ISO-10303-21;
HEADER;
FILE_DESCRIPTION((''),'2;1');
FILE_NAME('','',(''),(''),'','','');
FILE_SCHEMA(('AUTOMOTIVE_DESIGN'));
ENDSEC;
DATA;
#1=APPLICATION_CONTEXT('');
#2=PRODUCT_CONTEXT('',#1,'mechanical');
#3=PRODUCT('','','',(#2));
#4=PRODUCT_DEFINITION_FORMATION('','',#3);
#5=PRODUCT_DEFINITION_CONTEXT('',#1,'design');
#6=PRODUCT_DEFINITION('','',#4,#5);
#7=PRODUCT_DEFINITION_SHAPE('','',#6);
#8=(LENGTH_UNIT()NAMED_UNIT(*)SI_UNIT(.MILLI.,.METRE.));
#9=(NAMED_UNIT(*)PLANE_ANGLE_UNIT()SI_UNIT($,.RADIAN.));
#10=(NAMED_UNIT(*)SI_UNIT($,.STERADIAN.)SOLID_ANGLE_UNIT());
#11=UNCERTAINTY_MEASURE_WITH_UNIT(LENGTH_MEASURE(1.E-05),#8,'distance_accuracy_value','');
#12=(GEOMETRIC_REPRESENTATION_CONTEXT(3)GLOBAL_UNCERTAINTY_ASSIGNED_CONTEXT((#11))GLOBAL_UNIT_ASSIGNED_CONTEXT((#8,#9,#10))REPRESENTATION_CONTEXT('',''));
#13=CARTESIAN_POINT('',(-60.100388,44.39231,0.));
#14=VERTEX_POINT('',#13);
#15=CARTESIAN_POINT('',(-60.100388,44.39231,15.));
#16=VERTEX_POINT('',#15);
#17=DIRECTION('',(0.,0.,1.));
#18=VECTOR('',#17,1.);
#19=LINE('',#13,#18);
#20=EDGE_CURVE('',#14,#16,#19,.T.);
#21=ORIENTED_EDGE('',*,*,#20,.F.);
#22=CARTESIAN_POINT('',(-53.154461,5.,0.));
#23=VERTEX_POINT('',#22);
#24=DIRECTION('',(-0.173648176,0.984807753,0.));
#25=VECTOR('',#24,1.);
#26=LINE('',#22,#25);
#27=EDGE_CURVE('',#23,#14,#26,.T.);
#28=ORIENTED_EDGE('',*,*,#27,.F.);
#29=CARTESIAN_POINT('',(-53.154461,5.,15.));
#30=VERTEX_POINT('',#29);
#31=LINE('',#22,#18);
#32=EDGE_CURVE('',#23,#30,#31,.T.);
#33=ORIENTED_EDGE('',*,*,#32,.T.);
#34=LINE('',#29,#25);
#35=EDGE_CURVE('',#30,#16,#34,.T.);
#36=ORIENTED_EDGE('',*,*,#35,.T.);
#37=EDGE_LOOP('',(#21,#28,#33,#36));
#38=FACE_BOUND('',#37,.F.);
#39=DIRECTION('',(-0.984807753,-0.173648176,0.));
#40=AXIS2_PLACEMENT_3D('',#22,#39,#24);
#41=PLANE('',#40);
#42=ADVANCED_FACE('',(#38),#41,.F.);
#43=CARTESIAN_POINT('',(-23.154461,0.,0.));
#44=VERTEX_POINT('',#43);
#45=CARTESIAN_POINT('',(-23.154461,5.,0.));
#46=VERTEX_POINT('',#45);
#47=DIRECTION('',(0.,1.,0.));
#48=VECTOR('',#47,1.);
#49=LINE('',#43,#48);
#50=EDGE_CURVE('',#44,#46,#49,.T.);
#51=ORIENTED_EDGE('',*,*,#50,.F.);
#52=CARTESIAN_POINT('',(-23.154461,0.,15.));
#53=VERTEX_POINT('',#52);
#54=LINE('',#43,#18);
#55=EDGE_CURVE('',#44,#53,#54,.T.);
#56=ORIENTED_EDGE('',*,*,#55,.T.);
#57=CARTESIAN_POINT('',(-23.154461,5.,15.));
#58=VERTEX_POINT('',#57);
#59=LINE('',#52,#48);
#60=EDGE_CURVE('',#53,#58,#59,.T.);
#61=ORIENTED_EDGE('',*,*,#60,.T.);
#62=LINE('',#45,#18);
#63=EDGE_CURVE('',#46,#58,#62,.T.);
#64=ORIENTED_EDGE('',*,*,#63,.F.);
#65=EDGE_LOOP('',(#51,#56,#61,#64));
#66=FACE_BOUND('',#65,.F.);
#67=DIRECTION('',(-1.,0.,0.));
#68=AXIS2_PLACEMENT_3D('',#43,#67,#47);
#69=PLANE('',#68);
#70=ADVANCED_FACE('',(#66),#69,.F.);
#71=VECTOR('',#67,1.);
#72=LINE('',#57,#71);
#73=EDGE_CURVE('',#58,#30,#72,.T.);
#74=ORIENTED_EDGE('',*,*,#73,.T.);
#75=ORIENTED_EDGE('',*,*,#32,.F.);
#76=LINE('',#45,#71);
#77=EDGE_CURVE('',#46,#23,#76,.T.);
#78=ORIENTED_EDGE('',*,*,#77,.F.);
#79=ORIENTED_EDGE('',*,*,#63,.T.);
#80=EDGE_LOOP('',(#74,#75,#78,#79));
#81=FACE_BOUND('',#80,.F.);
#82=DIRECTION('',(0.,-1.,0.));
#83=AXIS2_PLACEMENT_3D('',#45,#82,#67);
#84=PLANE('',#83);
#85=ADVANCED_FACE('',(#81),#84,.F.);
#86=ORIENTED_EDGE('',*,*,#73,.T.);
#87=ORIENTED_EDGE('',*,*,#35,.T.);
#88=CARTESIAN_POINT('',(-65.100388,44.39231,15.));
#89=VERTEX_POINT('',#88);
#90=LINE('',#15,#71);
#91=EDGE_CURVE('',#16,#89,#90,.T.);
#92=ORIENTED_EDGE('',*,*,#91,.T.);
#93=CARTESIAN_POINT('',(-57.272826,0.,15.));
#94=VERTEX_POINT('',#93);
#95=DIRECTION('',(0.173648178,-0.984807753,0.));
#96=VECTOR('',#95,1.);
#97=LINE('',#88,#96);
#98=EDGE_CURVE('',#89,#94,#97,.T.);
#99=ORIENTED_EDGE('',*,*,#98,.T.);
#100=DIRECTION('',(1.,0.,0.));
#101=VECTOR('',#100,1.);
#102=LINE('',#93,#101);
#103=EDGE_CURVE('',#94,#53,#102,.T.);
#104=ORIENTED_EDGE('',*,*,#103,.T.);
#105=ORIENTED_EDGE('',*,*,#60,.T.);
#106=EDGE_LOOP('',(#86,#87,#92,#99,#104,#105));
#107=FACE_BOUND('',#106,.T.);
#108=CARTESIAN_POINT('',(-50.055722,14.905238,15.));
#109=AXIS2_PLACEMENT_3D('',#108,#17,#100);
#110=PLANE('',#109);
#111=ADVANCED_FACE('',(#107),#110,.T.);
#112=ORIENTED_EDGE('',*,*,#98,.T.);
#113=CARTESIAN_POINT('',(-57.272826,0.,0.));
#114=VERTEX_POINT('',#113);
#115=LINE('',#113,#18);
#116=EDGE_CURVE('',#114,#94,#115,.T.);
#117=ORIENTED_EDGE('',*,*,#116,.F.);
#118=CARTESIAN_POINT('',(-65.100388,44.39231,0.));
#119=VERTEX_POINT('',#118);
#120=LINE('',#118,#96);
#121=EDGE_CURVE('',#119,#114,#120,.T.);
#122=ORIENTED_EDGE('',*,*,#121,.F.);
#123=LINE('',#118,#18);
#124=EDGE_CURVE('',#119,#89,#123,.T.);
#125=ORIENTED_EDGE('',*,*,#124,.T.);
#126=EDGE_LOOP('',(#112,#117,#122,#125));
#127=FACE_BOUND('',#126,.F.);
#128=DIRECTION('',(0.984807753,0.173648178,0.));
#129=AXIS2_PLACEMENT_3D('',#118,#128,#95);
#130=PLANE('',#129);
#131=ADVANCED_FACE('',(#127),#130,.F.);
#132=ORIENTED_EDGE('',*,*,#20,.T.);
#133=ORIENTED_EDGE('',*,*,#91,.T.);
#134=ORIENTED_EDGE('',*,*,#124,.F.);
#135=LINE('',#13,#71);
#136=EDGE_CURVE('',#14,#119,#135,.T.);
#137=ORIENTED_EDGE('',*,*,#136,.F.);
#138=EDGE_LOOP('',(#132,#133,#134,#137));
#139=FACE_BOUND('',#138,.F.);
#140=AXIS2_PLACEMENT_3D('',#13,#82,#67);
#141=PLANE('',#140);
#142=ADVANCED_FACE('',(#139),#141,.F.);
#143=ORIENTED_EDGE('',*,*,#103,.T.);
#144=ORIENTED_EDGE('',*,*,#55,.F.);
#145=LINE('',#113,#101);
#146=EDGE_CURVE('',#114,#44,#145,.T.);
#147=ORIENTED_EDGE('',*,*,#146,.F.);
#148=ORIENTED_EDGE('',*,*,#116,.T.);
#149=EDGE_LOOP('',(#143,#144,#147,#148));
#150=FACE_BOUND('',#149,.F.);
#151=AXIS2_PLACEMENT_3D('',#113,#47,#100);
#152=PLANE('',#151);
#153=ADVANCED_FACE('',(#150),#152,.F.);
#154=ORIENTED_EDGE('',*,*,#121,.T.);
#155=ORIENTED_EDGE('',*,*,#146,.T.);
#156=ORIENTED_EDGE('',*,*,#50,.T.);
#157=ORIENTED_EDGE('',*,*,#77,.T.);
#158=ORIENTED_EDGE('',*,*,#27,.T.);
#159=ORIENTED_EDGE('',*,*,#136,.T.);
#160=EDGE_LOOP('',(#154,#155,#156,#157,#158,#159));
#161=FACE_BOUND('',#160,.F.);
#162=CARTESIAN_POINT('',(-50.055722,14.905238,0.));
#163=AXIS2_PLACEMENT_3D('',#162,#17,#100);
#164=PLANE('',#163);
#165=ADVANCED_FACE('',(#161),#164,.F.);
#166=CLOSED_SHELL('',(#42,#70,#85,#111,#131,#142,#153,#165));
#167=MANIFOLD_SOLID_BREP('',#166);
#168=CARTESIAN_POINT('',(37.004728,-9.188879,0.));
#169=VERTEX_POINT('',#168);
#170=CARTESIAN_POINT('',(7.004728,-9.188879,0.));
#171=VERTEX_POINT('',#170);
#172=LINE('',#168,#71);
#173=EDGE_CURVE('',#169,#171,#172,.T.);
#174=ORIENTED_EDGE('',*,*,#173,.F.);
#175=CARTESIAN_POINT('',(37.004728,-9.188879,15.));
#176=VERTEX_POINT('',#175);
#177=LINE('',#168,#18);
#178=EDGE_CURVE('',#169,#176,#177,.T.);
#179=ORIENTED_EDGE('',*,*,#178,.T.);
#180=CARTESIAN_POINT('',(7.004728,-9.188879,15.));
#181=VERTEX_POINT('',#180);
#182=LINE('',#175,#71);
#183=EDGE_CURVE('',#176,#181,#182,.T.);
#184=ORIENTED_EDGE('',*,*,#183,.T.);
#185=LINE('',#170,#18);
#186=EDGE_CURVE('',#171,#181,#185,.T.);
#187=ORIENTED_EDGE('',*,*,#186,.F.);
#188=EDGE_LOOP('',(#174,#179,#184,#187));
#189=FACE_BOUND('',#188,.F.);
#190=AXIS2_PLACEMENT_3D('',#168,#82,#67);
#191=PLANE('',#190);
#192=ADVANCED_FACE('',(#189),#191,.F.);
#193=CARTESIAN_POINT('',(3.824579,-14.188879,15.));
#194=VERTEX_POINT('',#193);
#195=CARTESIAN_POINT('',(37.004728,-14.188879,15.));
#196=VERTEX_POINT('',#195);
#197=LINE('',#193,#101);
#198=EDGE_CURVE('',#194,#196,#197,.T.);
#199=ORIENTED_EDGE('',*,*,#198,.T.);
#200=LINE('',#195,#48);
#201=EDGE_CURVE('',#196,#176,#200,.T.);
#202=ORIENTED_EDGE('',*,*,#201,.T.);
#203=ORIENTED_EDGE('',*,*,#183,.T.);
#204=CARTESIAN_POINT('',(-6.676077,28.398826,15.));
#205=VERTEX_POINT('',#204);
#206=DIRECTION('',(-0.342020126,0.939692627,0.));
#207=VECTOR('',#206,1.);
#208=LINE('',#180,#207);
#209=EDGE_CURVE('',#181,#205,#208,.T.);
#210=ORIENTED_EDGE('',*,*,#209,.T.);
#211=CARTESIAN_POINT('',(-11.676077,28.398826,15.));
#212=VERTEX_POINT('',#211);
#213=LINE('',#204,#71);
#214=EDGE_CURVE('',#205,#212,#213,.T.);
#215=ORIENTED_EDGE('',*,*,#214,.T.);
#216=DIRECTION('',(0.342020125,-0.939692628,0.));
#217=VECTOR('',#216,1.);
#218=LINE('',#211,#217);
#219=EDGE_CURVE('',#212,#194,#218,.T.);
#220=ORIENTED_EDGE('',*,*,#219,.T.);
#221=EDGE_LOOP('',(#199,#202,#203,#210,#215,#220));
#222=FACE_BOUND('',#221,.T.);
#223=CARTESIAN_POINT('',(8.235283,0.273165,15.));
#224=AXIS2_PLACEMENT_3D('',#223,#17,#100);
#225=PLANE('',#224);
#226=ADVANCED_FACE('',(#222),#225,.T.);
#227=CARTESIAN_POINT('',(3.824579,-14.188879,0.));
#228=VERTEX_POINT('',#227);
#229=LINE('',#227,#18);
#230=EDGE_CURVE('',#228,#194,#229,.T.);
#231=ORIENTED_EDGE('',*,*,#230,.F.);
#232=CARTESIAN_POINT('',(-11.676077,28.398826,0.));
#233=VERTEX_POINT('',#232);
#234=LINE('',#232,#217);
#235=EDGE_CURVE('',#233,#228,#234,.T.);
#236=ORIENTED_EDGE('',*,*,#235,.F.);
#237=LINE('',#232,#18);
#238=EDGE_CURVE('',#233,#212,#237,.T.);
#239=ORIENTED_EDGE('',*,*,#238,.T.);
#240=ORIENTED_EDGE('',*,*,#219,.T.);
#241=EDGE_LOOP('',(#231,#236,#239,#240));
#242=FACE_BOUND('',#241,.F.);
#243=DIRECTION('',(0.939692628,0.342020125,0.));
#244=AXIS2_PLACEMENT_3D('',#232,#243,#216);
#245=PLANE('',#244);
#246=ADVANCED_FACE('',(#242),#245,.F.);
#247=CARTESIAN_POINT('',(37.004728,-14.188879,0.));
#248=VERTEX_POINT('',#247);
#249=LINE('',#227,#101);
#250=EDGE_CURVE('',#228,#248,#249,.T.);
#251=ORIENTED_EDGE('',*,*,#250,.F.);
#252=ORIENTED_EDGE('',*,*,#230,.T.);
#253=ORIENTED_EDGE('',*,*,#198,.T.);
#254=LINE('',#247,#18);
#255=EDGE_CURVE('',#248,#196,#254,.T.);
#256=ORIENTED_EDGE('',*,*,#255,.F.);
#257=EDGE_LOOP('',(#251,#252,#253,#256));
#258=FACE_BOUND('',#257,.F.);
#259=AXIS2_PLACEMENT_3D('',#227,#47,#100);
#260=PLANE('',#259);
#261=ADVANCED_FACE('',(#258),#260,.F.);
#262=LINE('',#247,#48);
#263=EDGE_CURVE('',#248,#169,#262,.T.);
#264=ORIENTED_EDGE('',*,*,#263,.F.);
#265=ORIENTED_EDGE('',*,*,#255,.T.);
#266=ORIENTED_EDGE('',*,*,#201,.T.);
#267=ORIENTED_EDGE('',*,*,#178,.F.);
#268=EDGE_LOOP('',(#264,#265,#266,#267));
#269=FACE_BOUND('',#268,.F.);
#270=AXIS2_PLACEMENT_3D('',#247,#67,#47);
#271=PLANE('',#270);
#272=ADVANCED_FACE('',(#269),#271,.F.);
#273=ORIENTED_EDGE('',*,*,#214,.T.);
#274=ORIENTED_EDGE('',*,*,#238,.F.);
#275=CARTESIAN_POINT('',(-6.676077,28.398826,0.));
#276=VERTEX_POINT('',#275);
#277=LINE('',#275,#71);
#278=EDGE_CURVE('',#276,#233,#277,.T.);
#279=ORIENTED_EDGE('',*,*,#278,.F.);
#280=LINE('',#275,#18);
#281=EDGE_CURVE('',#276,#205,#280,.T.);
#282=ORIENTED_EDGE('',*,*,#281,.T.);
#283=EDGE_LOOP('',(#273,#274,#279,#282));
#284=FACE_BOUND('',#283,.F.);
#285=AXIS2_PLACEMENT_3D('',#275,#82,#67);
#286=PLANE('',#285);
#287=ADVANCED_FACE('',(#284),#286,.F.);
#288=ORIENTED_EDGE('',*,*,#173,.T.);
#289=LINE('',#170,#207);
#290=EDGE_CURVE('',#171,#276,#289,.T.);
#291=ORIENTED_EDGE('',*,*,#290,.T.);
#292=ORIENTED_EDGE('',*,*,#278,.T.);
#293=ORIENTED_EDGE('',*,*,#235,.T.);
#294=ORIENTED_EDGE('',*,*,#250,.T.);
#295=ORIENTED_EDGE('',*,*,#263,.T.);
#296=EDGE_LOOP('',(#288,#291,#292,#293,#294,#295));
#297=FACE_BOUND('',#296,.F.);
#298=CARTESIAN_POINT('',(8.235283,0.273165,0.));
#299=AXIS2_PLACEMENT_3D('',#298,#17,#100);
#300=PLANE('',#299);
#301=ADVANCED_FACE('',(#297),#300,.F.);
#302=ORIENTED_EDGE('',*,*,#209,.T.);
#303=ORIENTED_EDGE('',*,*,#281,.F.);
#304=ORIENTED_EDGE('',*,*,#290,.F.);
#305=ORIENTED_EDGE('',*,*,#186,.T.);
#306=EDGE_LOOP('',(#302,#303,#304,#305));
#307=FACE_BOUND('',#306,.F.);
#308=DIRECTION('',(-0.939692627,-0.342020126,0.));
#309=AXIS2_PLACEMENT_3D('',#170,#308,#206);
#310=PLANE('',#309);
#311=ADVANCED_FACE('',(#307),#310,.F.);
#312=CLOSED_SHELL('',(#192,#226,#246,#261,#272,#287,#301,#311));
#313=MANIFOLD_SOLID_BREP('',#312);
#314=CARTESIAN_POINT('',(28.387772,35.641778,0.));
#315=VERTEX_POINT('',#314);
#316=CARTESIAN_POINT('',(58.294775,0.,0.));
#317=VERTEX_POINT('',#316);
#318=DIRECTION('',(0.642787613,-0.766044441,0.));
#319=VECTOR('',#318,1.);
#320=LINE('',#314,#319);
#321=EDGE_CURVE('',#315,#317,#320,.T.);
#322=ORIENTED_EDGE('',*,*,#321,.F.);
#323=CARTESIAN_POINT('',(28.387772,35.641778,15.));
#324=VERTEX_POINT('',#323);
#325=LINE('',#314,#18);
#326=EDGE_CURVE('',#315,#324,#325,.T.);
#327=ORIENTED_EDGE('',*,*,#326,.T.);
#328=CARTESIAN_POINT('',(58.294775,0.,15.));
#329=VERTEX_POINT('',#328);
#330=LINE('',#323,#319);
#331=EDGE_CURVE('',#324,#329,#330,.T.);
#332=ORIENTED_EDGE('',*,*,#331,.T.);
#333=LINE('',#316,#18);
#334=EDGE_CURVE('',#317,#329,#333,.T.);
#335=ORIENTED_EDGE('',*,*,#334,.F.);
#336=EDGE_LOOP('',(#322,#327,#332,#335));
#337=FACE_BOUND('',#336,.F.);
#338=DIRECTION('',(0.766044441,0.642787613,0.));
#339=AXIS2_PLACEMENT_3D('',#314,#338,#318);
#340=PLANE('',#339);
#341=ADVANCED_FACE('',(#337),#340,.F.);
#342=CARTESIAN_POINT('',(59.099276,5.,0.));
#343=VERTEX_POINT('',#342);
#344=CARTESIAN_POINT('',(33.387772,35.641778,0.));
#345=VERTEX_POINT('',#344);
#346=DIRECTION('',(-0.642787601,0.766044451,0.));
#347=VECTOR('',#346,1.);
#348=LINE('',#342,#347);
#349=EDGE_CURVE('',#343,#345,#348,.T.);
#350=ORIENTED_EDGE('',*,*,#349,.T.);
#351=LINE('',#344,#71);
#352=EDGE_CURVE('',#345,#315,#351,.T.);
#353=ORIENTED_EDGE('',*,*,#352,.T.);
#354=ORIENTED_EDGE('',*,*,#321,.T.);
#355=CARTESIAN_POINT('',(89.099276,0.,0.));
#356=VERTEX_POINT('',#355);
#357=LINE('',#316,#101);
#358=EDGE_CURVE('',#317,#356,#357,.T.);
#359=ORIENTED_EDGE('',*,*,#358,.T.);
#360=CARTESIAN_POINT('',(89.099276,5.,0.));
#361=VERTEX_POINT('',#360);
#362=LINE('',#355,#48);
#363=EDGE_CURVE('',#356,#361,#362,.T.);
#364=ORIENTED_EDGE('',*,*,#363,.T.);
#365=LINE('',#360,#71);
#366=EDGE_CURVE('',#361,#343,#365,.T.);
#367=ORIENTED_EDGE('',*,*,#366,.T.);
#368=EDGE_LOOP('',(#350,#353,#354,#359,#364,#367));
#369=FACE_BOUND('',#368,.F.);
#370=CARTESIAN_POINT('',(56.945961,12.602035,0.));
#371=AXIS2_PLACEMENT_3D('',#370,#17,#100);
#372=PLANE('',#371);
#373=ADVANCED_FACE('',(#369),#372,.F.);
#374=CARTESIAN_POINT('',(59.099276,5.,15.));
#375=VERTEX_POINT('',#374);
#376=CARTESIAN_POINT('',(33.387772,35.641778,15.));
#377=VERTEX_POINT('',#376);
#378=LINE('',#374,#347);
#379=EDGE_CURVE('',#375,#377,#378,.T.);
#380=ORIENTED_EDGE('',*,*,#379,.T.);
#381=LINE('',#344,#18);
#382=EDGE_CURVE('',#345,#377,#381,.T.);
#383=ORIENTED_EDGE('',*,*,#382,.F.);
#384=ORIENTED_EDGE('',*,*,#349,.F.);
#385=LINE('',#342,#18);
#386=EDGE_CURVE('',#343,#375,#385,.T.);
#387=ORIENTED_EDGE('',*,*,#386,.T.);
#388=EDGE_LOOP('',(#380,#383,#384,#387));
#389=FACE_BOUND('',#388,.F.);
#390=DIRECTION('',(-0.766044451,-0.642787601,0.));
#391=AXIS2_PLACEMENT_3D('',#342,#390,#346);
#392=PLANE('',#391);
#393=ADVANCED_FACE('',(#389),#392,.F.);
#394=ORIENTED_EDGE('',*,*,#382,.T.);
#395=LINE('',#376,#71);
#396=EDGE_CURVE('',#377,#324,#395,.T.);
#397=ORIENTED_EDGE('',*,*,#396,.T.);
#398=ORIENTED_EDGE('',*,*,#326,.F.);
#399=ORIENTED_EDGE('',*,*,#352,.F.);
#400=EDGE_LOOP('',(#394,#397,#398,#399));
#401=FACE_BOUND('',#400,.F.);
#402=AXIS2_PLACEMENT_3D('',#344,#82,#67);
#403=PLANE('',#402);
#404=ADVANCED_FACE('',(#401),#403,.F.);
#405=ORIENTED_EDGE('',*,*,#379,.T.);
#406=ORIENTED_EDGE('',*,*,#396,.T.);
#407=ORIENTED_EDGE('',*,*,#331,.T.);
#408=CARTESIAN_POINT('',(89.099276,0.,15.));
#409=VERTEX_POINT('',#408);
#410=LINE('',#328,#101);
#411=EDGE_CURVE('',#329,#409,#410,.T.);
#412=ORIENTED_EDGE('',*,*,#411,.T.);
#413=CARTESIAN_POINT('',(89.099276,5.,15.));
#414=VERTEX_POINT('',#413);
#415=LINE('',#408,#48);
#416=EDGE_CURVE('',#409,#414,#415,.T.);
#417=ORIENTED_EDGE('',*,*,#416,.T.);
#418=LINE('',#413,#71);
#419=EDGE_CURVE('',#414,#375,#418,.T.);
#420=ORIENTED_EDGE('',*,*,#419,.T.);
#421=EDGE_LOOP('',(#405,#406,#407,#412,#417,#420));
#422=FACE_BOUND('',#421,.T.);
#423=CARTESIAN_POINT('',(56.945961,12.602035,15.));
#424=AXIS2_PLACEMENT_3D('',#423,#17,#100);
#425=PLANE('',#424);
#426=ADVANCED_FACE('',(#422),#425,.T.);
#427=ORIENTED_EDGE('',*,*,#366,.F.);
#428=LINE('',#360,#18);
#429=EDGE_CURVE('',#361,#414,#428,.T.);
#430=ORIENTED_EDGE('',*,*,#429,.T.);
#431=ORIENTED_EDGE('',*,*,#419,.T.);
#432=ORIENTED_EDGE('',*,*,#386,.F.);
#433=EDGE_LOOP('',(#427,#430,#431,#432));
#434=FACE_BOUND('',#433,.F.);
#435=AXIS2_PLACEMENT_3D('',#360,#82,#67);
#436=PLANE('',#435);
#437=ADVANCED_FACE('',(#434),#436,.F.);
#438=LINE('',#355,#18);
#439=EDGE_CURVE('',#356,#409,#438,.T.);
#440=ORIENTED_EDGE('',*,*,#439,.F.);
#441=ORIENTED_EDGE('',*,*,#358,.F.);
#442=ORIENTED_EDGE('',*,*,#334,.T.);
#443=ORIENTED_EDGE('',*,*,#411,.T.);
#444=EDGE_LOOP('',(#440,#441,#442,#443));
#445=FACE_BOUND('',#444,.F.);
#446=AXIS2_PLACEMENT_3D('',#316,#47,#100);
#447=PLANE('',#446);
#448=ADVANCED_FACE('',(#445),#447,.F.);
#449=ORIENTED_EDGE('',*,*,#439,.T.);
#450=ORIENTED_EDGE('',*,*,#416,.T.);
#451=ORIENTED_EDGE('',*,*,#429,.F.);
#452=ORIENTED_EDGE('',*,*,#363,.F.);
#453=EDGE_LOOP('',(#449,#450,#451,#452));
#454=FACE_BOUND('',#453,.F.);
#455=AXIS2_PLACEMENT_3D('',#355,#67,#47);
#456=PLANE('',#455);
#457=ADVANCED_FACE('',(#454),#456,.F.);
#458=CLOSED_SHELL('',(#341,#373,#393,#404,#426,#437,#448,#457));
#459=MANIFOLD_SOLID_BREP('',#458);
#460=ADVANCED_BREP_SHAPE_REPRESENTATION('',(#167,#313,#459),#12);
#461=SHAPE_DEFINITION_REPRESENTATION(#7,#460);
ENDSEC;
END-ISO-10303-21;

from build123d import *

# Parameters (mm, degrees)
F1_DEPTH = 15


with BuildPart() as f1:
    # F0 (on Top) → F1 (new body)
    with BuildSketch(Plane.XY):
        Polygon((-60.100388, 44.39231), (-65.100388, 44.39231), (-57.272826, 0), (-23.154461, 0), (-23.154461, 5), (-53.154461, 5), align=None)
        Polygon((-6.676077, 28.398826), (-11.676077, 28.398826), (3.824579, -14.188879), (37.004728, -14.188879), (37.004728, -9.188879), (7.004728, -9.188879), align=None)
        Polygon((33.387772, 35.641778), (28.387772, 35.641778), (58.294775, 0), (89.099276, 0), (89.099276, 5), (59.099276, 5), align=None)
    extrude(amount=F1_DEPTH)


solid = f1.part
